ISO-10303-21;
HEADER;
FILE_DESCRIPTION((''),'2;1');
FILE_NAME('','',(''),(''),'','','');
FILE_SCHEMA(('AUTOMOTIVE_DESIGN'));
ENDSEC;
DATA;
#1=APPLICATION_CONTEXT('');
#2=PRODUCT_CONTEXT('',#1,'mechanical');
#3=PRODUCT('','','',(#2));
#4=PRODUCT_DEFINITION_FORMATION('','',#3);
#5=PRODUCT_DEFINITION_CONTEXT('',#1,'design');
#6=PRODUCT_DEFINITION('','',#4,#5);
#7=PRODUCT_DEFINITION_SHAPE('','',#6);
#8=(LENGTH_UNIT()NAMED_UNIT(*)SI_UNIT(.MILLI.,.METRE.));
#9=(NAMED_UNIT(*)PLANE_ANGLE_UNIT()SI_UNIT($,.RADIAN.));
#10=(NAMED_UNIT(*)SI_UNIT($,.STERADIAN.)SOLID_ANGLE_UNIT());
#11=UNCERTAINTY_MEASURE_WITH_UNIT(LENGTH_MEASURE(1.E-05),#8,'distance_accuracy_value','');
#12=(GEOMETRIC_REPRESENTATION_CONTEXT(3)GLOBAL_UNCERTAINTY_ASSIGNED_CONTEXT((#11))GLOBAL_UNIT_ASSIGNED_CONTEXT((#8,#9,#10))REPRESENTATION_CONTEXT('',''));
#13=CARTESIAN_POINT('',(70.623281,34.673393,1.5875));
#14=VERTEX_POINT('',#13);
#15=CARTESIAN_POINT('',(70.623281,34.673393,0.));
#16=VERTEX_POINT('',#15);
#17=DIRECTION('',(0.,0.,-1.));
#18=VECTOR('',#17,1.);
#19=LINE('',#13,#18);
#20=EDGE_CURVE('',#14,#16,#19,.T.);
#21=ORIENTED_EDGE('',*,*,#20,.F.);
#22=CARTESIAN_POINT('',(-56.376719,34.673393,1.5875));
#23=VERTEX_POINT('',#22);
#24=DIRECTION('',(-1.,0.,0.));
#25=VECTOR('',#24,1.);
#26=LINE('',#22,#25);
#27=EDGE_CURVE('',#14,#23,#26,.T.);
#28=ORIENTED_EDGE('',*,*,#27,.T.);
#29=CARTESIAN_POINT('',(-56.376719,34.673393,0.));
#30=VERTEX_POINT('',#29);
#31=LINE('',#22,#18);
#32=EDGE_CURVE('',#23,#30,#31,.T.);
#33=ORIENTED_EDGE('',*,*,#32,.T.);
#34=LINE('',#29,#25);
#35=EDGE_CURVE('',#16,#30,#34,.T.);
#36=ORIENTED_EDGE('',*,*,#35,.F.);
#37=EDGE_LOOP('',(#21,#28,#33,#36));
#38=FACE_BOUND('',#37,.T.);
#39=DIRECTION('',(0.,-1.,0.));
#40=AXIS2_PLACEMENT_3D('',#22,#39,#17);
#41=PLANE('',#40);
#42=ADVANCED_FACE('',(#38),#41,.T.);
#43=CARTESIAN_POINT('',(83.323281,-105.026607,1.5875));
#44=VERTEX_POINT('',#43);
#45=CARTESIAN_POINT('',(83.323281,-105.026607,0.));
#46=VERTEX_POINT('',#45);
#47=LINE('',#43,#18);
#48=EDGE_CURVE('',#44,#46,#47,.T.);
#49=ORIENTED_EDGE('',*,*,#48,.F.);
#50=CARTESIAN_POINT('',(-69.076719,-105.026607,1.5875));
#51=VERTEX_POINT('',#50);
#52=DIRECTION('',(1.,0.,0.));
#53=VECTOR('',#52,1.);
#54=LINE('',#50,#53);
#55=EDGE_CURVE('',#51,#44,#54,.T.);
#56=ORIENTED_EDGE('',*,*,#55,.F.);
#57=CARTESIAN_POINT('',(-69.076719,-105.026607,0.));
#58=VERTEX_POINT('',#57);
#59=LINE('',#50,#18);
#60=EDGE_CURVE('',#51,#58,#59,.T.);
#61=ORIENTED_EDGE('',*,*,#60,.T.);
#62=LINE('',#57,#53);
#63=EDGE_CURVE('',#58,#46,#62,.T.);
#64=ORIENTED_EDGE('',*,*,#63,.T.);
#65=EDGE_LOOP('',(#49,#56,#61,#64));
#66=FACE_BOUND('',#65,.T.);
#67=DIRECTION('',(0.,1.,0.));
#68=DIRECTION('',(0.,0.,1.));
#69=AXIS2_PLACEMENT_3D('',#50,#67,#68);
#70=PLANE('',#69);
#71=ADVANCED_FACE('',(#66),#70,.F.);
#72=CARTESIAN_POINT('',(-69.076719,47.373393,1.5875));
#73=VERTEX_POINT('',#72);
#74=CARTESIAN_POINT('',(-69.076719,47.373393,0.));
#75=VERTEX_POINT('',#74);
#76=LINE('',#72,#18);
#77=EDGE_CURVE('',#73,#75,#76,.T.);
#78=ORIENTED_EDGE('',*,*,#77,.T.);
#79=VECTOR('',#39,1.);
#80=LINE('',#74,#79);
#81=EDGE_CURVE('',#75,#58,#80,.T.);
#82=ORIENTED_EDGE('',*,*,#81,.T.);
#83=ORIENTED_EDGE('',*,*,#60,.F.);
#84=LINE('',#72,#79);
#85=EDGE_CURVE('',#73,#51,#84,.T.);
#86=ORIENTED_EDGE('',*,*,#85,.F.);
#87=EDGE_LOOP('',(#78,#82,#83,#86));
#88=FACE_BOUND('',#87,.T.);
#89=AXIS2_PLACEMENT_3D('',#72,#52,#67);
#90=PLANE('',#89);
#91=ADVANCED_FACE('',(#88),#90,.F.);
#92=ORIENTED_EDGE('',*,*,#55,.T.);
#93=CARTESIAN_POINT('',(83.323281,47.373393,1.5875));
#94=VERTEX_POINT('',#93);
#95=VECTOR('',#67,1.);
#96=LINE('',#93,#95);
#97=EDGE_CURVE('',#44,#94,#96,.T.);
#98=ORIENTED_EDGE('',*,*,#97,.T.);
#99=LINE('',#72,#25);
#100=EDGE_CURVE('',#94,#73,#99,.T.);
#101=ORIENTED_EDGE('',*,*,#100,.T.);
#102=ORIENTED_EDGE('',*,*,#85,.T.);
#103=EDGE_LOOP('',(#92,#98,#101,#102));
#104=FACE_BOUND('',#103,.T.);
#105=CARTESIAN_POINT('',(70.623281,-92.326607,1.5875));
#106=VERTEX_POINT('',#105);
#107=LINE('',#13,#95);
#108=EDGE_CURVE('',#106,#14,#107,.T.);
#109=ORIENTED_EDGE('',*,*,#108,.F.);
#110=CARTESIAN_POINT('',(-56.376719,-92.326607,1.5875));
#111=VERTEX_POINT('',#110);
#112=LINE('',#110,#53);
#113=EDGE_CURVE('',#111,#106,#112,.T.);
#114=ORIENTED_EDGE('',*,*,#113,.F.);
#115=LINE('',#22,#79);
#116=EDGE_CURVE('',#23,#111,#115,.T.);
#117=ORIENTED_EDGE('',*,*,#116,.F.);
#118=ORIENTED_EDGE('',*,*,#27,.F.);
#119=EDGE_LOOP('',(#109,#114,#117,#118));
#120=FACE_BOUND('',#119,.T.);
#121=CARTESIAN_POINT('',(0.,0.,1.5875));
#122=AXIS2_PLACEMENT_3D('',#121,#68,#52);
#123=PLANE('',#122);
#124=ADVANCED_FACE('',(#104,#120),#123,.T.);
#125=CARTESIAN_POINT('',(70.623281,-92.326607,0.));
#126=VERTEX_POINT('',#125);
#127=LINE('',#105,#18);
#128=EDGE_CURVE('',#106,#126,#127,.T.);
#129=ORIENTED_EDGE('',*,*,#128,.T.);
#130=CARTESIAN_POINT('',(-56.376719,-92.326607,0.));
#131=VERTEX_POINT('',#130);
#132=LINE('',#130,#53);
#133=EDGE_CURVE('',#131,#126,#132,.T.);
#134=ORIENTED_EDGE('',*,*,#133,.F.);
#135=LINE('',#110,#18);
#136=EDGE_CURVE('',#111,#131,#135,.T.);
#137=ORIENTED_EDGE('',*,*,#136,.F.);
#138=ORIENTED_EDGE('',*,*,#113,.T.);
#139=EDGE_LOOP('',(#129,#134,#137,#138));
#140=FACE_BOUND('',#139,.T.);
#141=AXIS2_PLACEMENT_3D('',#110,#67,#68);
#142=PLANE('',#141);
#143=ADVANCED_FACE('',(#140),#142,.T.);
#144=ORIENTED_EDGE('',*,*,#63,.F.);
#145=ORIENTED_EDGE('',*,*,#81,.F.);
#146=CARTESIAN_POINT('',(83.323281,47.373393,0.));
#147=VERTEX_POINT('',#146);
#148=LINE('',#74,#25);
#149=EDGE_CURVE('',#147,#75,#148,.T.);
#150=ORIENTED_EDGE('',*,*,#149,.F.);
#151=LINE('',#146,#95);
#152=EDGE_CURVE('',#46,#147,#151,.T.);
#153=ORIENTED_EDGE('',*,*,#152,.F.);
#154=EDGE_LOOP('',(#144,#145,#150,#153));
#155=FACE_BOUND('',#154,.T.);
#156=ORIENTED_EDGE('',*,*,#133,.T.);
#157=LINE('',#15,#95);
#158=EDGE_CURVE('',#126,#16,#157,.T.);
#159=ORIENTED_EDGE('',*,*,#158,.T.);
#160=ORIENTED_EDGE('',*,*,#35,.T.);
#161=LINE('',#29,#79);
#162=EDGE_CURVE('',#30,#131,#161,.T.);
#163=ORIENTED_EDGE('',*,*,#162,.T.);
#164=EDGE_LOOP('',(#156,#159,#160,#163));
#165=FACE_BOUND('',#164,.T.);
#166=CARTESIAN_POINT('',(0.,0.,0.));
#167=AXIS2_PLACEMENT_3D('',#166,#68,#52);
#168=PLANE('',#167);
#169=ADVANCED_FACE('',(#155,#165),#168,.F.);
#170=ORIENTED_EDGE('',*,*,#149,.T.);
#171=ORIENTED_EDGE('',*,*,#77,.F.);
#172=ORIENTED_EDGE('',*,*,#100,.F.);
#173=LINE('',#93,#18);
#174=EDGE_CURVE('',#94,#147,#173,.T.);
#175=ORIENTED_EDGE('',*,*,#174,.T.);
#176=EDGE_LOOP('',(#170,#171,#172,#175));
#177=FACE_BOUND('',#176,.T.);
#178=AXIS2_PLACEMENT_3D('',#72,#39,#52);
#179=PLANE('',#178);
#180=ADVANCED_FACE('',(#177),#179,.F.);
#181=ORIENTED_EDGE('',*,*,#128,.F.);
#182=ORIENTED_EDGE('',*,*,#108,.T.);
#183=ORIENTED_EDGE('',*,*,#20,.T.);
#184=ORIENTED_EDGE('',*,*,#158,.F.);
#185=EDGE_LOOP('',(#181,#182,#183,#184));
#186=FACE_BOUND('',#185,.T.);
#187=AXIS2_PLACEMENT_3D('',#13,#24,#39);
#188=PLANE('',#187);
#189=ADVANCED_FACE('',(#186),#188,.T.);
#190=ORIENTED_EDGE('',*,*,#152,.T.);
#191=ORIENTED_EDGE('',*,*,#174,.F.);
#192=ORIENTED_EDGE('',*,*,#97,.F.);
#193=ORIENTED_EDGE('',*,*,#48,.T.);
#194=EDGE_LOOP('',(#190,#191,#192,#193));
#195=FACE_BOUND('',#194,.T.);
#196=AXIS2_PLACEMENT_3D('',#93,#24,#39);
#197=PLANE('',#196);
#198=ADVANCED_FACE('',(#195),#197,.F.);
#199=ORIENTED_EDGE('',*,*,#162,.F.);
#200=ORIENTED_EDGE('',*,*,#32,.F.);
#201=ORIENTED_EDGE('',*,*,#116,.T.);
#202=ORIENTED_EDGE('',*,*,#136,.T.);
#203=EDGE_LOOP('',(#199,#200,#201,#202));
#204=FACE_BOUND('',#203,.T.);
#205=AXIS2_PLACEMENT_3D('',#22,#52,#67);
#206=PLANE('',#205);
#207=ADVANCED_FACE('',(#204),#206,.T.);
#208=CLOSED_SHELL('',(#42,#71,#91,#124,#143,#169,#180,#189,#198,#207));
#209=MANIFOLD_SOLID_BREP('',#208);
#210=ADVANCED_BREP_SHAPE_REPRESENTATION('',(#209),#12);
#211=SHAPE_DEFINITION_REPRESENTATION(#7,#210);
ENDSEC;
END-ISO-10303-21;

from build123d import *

# Parameters (mm, degrees)
SKETCH1_W           = 152.4
SKETCH1_H           = 152.4
SKETCH1_W_2         = 127
SKETCH1_H_2         = 127
BOSS_EXTRUDE1_DEPTH = 1.5875


with BuildPart() as part:
    # Sketch1 → Boss-Extrude1 (new body)
    with BuildSketch(Plane.XY):
        with Locations((7.123281263, -28.826606557)):
            Rectangle(SKETCH1_W, SKETCH1_H)
        with Locations((7.123281263, -28.826606557)):
            Rectangle(SKETCH1_W_2, SKETCH1_H_2, mode=Mode.SUBTRACT)
    extrude(amount=BOSS_EXTRUDE1_DEPTH)


solid = part.part
